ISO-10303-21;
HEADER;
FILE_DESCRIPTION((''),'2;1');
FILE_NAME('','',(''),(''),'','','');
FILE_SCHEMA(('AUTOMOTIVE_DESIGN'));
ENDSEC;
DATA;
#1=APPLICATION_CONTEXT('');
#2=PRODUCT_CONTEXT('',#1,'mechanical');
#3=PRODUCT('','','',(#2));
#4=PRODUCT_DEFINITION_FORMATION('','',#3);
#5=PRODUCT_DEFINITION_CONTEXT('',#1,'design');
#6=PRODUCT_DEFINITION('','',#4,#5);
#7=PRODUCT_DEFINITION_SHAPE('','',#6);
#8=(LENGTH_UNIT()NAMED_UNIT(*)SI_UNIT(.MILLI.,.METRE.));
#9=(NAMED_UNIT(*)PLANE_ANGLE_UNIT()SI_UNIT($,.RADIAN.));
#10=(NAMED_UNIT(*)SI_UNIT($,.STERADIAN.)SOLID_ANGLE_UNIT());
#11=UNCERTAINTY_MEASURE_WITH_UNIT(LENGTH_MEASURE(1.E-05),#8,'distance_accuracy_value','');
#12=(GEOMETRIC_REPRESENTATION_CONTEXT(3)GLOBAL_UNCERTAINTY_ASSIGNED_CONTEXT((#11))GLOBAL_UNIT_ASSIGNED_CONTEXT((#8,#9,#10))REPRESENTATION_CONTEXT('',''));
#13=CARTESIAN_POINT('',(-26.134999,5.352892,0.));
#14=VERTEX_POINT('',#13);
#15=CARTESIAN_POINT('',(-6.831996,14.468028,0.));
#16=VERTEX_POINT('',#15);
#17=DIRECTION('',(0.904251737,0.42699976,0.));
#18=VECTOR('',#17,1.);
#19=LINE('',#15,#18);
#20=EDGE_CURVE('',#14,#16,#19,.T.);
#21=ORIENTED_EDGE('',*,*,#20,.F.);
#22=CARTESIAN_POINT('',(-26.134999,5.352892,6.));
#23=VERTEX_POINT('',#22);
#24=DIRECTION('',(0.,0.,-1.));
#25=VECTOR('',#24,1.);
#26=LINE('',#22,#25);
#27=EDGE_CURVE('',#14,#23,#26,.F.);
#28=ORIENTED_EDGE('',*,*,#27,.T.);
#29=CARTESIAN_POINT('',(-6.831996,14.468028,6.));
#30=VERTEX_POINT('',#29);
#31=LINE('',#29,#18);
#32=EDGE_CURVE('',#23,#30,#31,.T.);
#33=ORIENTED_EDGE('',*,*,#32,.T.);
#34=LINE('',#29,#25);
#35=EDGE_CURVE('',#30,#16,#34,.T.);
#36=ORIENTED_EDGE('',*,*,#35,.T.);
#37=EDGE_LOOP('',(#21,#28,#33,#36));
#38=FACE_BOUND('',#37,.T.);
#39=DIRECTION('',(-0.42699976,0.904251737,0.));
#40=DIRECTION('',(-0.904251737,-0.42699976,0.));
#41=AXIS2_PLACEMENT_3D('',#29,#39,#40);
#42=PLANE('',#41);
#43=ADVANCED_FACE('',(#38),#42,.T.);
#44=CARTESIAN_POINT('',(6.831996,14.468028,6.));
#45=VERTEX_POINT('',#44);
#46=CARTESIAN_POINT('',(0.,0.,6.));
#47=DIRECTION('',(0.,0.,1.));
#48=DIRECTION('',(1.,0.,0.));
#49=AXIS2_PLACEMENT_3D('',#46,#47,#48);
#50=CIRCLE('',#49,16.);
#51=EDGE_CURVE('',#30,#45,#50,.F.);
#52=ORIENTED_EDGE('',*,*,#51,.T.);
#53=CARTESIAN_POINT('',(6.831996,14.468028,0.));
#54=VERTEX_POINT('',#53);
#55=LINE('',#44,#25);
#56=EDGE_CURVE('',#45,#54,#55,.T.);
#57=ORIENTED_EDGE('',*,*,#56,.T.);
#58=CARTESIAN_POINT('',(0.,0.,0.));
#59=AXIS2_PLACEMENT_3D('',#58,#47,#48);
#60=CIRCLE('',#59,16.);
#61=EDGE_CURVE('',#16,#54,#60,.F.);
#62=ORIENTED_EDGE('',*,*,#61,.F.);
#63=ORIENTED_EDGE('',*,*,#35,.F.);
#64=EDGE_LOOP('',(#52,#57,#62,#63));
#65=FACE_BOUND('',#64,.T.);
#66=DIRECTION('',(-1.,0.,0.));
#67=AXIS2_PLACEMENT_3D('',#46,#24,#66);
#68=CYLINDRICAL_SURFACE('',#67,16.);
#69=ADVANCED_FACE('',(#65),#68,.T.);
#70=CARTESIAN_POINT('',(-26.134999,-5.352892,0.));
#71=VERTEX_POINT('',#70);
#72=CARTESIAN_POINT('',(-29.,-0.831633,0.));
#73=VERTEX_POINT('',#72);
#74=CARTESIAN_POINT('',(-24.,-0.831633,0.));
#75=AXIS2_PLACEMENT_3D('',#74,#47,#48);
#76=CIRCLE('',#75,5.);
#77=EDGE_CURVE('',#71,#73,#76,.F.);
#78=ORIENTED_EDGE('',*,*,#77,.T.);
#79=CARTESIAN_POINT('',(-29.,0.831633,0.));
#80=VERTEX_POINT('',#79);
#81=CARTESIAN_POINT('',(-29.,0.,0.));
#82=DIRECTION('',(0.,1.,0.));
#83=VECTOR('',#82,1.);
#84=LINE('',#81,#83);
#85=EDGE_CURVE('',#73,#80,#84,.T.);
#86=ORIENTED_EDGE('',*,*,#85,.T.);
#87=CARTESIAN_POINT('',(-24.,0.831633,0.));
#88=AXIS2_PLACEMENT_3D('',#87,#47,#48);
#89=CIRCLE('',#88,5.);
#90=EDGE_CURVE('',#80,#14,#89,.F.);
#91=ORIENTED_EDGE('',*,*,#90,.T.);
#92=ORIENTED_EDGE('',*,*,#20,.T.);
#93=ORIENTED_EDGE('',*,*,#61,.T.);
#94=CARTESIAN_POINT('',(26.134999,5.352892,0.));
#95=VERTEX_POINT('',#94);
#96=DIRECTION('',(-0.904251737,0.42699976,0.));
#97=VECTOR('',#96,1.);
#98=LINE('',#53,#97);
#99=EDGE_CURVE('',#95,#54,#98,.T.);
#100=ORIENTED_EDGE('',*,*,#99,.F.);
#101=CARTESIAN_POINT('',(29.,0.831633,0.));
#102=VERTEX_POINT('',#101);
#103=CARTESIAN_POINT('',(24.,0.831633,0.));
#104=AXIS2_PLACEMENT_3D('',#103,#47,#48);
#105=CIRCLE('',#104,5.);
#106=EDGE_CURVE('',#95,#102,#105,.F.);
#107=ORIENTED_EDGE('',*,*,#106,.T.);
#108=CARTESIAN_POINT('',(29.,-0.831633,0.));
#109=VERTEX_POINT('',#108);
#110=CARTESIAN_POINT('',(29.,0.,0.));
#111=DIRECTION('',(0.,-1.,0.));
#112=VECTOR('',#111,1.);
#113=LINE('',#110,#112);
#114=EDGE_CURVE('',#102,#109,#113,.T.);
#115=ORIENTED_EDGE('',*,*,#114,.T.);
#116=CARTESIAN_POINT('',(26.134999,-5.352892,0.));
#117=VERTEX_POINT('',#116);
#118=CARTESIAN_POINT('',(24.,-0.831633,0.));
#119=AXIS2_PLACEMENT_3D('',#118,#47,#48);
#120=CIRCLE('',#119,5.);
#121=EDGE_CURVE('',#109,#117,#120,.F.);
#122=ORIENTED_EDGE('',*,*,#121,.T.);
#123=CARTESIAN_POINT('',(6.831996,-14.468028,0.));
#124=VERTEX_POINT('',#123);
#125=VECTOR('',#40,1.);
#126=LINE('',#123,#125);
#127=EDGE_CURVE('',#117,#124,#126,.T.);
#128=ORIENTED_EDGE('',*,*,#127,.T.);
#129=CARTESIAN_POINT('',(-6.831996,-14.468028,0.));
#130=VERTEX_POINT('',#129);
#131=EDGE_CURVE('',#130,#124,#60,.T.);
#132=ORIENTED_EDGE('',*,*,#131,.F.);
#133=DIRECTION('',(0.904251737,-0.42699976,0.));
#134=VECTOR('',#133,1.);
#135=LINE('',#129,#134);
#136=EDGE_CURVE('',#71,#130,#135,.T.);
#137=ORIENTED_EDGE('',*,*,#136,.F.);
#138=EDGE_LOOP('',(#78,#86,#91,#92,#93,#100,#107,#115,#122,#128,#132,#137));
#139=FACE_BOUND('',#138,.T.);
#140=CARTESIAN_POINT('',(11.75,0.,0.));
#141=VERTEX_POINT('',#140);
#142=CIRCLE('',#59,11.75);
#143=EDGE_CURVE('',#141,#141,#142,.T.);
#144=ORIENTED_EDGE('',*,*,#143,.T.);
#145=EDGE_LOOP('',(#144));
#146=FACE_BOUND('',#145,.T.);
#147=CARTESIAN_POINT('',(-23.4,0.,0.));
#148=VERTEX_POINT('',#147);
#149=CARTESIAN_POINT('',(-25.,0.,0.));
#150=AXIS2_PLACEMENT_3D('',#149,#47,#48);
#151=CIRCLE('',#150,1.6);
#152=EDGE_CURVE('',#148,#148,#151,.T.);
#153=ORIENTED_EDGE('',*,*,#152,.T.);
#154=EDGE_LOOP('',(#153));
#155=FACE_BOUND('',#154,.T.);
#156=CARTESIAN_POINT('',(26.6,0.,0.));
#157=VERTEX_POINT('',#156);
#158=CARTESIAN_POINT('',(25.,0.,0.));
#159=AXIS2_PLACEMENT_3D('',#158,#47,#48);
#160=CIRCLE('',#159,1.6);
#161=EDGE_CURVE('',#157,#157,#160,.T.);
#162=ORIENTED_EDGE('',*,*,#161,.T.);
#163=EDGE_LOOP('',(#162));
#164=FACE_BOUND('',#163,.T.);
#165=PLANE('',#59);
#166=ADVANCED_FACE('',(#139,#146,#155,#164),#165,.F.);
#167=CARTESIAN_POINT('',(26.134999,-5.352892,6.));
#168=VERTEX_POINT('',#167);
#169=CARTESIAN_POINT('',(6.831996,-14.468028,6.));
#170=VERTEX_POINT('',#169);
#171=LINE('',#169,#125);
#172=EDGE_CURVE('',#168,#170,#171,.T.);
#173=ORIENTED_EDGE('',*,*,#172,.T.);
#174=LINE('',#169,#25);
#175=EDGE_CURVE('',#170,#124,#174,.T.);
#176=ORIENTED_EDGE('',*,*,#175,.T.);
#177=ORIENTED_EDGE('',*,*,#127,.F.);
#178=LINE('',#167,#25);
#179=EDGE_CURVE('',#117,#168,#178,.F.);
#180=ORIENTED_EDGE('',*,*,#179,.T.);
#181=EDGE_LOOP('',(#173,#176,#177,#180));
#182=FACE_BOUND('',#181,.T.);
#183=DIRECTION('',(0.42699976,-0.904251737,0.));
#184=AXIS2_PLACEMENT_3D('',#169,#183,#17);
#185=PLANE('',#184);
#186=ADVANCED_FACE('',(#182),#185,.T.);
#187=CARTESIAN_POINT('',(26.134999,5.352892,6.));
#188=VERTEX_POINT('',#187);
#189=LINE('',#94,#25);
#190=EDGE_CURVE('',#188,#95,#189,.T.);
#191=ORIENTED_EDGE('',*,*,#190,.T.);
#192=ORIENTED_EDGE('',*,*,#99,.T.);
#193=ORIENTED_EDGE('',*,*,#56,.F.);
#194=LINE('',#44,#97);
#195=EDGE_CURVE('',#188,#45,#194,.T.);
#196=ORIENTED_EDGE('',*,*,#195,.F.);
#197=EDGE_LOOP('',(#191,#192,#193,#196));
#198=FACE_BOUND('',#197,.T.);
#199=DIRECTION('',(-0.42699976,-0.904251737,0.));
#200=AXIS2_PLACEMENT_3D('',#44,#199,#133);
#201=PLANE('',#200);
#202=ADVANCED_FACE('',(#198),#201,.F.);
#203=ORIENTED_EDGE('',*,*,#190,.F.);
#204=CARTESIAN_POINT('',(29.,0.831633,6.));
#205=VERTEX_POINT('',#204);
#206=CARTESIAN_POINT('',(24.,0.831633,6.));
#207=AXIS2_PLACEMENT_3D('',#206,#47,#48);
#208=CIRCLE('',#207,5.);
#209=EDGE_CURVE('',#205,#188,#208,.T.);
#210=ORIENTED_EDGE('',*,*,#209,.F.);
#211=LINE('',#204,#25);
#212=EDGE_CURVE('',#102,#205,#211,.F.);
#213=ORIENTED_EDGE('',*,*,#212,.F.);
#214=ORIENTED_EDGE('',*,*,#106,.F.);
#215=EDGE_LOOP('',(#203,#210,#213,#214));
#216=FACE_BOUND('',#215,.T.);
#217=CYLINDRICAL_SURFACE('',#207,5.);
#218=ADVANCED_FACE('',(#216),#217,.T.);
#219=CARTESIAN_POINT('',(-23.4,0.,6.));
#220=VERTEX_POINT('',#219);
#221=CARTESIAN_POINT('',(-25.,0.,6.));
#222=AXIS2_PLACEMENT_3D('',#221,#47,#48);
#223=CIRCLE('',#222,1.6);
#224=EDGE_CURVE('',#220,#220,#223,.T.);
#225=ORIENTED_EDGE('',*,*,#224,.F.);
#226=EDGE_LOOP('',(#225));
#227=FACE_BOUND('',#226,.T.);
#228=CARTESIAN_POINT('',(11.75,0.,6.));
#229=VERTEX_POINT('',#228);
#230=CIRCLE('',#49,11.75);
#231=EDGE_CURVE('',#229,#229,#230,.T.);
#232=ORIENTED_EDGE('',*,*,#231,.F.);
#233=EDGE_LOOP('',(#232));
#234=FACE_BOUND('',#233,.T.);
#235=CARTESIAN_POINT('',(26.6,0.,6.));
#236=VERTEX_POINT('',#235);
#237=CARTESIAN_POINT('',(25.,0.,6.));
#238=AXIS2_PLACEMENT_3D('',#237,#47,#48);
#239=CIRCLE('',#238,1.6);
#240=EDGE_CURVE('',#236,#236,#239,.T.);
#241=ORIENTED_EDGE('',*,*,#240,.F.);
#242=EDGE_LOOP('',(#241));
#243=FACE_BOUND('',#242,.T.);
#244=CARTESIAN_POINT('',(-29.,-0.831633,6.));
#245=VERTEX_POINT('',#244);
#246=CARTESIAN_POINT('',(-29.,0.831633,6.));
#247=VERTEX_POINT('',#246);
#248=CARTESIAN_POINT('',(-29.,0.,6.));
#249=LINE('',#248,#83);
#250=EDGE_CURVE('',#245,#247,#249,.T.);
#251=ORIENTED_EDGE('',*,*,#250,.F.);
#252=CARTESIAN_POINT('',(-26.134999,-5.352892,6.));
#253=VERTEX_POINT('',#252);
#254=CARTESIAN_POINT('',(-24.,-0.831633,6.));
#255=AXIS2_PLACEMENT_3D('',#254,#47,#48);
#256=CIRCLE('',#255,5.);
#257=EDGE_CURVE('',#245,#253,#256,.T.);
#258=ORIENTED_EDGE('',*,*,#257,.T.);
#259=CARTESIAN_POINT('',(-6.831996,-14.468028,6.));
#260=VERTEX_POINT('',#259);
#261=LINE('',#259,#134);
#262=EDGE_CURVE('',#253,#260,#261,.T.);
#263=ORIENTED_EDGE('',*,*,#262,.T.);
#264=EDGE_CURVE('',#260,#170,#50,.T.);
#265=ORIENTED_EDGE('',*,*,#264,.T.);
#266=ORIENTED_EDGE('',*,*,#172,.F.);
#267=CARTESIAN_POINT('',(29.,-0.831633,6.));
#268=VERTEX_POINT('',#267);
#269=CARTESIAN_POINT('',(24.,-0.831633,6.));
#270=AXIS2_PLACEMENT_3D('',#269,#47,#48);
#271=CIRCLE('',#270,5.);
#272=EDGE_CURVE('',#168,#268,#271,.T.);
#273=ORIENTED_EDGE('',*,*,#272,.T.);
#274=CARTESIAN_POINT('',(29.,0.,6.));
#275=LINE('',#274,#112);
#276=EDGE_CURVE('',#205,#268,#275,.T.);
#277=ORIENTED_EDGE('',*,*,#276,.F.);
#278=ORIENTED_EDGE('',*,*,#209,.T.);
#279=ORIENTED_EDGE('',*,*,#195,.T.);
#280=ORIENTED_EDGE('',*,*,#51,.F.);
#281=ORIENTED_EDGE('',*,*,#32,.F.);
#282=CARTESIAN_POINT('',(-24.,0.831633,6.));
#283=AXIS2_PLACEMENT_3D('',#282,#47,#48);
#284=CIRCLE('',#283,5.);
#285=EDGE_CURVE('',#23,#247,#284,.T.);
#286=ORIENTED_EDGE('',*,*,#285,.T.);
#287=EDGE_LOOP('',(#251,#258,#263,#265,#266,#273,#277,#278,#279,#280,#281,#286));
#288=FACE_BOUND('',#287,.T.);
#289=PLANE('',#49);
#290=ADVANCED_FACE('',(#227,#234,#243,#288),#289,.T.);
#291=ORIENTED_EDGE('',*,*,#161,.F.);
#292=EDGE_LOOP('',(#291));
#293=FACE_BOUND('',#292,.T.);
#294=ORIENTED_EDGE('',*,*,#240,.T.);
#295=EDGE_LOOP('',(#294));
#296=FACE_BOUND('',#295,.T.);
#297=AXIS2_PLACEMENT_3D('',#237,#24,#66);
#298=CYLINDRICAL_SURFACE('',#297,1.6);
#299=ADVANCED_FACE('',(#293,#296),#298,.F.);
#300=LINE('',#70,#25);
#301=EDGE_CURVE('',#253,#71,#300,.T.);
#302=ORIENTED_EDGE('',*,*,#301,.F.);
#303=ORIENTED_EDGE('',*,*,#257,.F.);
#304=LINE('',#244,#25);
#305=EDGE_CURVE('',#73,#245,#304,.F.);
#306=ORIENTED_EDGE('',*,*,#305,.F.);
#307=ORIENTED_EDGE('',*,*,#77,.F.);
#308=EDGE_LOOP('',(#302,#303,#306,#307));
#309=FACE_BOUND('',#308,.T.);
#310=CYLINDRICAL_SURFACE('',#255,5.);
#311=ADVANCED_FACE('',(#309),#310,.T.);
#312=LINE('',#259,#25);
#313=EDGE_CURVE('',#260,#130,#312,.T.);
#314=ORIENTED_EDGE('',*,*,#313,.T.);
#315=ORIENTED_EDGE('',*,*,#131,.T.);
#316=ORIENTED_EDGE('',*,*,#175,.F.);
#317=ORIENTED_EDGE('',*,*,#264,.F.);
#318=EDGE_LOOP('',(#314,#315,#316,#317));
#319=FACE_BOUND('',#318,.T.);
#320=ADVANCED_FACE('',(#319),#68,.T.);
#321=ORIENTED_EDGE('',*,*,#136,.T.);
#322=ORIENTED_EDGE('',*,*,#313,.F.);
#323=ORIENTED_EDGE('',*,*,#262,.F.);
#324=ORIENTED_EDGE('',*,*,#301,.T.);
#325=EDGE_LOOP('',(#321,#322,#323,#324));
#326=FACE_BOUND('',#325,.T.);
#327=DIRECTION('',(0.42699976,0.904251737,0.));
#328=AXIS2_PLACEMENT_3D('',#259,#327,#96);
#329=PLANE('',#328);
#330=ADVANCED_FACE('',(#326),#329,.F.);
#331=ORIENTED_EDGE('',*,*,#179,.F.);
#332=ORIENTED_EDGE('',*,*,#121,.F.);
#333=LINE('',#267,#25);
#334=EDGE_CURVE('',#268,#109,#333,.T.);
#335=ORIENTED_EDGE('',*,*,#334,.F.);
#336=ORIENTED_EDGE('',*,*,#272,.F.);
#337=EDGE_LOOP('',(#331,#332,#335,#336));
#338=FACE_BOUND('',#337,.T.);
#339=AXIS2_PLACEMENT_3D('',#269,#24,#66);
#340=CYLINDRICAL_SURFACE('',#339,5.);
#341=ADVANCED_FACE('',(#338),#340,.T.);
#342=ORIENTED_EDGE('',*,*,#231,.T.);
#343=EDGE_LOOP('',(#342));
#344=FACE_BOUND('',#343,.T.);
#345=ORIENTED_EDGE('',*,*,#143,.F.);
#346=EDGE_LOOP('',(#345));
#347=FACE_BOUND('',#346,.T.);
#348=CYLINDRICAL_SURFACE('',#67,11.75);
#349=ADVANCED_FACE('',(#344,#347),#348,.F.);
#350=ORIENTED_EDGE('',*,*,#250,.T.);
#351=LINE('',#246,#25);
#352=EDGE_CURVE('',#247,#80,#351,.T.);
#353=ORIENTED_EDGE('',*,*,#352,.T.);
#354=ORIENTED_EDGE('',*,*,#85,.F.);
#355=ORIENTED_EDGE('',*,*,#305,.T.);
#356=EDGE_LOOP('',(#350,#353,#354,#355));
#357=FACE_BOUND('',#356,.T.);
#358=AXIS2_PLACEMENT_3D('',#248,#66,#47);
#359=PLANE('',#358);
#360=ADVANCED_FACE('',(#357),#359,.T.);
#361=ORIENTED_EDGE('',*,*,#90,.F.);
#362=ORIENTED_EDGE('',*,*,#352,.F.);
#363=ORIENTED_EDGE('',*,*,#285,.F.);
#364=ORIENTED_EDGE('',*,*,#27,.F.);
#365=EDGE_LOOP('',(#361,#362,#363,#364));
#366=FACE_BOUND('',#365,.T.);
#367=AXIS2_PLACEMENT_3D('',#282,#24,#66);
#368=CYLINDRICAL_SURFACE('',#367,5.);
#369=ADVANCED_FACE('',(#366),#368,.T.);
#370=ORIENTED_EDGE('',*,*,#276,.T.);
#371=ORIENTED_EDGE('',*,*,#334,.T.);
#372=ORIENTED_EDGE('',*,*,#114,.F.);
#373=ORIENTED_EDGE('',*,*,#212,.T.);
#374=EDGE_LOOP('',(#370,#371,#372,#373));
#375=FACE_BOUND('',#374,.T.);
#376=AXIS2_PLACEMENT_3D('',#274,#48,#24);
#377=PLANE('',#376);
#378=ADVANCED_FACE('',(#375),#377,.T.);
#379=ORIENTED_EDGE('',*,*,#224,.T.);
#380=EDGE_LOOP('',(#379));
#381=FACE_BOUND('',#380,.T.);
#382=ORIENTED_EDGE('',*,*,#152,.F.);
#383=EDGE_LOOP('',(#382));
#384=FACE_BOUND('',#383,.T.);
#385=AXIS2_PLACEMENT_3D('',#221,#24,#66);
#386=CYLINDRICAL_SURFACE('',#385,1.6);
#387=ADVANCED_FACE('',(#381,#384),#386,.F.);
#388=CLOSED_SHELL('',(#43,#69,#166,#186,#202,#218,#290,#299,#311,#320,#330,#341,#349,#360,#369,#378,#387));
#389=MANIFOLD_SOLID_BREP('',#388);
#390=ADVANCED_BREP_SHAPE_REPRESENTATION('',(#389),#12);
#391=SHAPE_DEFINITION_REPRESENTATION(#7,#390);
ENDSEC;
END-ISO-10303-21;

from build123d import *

# Parameters (mm, degrees)
ESBO_O1_R                = 11.75
ESBO_O1_R_2              = 1.6
RESSALTO_EXTRUS_O1_DEPTH = 6
FILETE3_R                = 5


with BuildPart() as part:
    # Esboço1 → Ressalto-extrusão1 (new body)
    with BuildSketch(Plane.XY):
        with BuildLine():
            Line((-15.491933385, -4), (-29, -4))
            Line((-29, -4), (-6.831996166, -14.468027799))
            ThreePointArc((-6.831996166, -14.468027799), (-12.328193669, -10.198805854), (-15.491933385, -4))
        make_face()
        with BuildLine():
            Line((-29, -4), (-15.491933385, -4))
            ThreePointArc((-15.491933385, -4), (0, -16), (15.491933385, -4))
            Line((15.491933385, -4), (29, -4))
            Line((29, -4), (29, 4))
            Line((29, 4), (15.491933385, 4))
            ThreePointArc((15.491933385, 4), (0, 16), (-15.491933385, 4))
            Line((-15.491933385, 4), (-29, 4))
            Line((-29, 4), (-29, -4))
        make_face()
        Circle(ESBO_O1_R, mode=Mode.SUBTRACT)
        with Locations((-25, 0)):
            Circle(ESBO_O1_R_2, mode=Mode.SUBTRACT)
        with Locations((25, 0)):
            Circle(ESBO_O1_R_2, mode=Mode.SUBTRACT)
        with BuildLine():
            Line((-6.831996166, 14.468027799), (-29, 4))
            Line((-29, 4), (-15.491933385, 4))
            ThreePointArc((-15.491933385, 4), (-12.328193669, 10.198805854), (-6.831996166, 14.468027799))
        make_face()
        with BuildLine():
            Line((29, 4), (6.831996166, 14.468027799))
            ThreePointArc((6.831996166, 14.468027799), (12.328193669, 10.198805854), (15.491933385, 4))
            Line((15.491933385, 4), (29, 4))
        make_face()
        with BuildLine():
            ThreePointArc((15.491933385, -4), (12.328193669, -10.198805854), (6.831996166, -14.468027799))
            Line((6.831996166, -14.468027799), (29, -4))
            Line((29, -4), (15.491933385, -4))
        make_face()
    extrude(amount=RESSALTO_EXTRUS_O1_DEPTH)

    # Filete3
    filete3_edges = [part.edges().sort_by_distance(p)[0] for p in [
        (29, 4, 3),
        (29, -4, 3),
        (-29, -4, 3),
        (-29, 4, 3),
    ]]
    fillet(filete3_edges, radius=FILETE3_R)


solid = part.part
